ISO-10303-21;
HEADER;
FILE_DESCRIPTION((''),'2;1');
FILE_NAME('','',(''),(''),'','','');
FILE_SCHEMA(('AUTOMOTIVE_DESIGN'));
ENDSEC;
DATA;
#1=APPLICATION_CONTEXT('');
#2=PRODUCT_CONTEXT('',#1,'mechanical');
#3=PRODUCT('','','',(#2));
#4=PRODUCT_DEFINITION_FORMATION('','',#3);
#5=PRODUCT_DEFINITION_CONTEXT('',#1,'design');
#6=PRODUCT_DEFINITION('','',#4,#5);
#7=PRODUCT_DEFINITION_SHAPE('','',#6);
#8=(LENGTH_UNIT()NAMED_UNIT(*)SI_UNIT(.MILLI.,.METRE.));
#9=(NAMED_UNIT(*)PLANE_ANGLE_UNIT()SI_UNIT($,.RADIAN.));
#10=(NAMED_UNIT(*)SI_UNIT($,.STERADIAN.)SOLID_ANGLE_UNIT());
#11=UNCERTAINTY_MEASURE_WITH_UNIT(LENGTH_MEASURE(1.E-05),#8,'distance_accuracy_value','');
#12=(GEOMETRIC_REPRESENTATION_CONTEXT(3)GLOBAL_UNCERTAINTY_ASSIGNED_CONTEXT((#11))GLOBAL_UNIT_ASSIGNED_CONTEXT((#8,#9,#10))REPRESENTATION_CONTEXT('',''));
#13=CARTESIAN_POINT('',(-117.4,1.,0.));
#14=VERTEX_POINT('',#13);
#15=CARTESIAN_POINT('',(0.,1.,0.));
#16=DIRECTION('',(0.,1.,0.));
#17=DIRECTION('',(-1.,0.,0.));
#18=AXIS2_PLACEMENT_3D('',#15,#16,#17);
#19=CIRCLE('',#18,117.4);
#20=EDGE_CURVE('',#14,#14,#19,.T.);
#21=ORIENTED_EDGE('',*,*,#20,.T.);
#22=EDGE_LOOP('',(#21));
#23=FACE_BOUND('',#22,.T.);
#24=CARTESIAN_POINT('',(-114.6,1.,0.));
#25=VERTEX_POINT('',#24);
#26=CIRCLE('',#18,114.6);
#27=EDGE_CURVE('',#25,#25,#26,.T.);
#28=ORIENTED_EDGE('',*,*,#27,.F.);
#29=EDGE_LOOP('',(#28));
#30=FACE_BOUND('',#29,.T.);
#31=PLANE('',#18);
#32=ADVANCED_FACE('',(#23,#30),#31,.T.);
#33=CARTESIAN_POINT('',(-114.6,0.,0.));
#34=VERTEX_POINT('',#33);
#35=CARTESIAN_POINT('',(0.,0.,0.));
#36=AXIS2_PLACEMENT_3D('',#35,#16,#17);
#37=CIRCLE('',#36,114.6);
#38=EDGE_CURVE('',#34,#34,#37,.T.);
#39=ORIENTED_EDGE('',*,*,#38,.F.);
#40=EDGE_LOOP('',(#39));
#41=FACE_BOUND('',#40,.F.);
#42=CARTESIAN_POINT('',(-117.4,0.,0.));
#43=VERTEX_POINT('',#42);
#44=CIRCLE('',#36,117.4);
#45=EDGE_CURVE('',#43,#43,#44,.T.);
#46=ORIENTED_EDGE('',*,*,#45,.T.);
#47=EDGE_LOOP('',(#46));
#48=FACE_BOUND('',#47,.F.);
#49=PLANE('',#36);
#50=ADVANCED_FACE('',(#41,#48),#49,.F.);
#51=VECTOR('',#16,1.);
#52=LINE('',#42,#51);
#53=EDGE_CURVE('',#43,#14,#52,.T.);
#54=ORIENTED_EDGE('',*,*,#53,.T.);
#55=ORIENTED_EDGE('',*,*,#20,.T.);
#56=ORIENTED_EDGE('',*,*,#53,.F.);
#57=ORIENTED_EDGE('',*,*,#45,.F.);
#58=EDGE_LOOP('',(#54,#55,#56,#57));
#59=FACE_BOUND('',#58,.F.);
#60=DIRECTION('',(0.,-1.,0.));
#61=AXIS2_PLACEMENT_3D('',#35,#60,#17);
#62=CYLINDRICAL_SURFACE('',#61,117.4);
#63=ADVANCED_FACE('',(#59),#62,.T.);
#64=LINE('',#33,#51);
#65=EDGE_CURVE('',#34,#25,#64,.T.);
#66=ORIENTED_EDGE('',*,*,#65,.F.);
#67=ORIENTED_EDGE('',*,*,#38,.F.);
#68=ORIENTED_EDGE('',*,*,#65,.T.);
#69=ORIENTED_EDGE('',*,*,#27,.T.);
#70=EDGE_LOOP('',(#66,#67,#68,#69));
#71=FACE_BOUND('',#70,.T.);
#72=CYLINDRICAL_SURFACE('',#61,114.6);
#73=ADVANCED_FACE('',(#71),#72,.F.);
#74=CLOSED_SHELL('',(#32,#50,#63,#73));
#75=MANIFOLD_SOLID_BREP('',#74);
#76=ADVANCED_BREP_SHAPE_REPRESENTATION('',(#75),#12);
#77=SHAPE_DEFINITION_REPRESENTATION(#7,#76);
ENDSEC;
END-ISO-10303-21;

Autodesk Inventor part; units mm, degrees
ref_plane "YZ Plane" through (0, 0, 0) normal (1, 0, 0) x (0, 1, 0)
ref_plane "XZ Plane" through (0, 0, 0) normal (0, 1, 0) x (-1, 0, 0)
ref_plane "XY Plane" through (0, 0, 0) normal (0, 0, 1) x (1, 0, 0)
sketch "Sketch1" plane through (0, 0, 0) normal (0, 1, 0) x (-1, 0, 0)
  circle A0 centre (0, 0) radius 114.6
  circle A1 centre (0, 0) radius 117.4
  dimension "d0" = 229.2
  dimension "d1" = 2.8
extrude "Extrusion1" add sketch "Sketch1" along normal blind 1
properties part number "Spacer"
